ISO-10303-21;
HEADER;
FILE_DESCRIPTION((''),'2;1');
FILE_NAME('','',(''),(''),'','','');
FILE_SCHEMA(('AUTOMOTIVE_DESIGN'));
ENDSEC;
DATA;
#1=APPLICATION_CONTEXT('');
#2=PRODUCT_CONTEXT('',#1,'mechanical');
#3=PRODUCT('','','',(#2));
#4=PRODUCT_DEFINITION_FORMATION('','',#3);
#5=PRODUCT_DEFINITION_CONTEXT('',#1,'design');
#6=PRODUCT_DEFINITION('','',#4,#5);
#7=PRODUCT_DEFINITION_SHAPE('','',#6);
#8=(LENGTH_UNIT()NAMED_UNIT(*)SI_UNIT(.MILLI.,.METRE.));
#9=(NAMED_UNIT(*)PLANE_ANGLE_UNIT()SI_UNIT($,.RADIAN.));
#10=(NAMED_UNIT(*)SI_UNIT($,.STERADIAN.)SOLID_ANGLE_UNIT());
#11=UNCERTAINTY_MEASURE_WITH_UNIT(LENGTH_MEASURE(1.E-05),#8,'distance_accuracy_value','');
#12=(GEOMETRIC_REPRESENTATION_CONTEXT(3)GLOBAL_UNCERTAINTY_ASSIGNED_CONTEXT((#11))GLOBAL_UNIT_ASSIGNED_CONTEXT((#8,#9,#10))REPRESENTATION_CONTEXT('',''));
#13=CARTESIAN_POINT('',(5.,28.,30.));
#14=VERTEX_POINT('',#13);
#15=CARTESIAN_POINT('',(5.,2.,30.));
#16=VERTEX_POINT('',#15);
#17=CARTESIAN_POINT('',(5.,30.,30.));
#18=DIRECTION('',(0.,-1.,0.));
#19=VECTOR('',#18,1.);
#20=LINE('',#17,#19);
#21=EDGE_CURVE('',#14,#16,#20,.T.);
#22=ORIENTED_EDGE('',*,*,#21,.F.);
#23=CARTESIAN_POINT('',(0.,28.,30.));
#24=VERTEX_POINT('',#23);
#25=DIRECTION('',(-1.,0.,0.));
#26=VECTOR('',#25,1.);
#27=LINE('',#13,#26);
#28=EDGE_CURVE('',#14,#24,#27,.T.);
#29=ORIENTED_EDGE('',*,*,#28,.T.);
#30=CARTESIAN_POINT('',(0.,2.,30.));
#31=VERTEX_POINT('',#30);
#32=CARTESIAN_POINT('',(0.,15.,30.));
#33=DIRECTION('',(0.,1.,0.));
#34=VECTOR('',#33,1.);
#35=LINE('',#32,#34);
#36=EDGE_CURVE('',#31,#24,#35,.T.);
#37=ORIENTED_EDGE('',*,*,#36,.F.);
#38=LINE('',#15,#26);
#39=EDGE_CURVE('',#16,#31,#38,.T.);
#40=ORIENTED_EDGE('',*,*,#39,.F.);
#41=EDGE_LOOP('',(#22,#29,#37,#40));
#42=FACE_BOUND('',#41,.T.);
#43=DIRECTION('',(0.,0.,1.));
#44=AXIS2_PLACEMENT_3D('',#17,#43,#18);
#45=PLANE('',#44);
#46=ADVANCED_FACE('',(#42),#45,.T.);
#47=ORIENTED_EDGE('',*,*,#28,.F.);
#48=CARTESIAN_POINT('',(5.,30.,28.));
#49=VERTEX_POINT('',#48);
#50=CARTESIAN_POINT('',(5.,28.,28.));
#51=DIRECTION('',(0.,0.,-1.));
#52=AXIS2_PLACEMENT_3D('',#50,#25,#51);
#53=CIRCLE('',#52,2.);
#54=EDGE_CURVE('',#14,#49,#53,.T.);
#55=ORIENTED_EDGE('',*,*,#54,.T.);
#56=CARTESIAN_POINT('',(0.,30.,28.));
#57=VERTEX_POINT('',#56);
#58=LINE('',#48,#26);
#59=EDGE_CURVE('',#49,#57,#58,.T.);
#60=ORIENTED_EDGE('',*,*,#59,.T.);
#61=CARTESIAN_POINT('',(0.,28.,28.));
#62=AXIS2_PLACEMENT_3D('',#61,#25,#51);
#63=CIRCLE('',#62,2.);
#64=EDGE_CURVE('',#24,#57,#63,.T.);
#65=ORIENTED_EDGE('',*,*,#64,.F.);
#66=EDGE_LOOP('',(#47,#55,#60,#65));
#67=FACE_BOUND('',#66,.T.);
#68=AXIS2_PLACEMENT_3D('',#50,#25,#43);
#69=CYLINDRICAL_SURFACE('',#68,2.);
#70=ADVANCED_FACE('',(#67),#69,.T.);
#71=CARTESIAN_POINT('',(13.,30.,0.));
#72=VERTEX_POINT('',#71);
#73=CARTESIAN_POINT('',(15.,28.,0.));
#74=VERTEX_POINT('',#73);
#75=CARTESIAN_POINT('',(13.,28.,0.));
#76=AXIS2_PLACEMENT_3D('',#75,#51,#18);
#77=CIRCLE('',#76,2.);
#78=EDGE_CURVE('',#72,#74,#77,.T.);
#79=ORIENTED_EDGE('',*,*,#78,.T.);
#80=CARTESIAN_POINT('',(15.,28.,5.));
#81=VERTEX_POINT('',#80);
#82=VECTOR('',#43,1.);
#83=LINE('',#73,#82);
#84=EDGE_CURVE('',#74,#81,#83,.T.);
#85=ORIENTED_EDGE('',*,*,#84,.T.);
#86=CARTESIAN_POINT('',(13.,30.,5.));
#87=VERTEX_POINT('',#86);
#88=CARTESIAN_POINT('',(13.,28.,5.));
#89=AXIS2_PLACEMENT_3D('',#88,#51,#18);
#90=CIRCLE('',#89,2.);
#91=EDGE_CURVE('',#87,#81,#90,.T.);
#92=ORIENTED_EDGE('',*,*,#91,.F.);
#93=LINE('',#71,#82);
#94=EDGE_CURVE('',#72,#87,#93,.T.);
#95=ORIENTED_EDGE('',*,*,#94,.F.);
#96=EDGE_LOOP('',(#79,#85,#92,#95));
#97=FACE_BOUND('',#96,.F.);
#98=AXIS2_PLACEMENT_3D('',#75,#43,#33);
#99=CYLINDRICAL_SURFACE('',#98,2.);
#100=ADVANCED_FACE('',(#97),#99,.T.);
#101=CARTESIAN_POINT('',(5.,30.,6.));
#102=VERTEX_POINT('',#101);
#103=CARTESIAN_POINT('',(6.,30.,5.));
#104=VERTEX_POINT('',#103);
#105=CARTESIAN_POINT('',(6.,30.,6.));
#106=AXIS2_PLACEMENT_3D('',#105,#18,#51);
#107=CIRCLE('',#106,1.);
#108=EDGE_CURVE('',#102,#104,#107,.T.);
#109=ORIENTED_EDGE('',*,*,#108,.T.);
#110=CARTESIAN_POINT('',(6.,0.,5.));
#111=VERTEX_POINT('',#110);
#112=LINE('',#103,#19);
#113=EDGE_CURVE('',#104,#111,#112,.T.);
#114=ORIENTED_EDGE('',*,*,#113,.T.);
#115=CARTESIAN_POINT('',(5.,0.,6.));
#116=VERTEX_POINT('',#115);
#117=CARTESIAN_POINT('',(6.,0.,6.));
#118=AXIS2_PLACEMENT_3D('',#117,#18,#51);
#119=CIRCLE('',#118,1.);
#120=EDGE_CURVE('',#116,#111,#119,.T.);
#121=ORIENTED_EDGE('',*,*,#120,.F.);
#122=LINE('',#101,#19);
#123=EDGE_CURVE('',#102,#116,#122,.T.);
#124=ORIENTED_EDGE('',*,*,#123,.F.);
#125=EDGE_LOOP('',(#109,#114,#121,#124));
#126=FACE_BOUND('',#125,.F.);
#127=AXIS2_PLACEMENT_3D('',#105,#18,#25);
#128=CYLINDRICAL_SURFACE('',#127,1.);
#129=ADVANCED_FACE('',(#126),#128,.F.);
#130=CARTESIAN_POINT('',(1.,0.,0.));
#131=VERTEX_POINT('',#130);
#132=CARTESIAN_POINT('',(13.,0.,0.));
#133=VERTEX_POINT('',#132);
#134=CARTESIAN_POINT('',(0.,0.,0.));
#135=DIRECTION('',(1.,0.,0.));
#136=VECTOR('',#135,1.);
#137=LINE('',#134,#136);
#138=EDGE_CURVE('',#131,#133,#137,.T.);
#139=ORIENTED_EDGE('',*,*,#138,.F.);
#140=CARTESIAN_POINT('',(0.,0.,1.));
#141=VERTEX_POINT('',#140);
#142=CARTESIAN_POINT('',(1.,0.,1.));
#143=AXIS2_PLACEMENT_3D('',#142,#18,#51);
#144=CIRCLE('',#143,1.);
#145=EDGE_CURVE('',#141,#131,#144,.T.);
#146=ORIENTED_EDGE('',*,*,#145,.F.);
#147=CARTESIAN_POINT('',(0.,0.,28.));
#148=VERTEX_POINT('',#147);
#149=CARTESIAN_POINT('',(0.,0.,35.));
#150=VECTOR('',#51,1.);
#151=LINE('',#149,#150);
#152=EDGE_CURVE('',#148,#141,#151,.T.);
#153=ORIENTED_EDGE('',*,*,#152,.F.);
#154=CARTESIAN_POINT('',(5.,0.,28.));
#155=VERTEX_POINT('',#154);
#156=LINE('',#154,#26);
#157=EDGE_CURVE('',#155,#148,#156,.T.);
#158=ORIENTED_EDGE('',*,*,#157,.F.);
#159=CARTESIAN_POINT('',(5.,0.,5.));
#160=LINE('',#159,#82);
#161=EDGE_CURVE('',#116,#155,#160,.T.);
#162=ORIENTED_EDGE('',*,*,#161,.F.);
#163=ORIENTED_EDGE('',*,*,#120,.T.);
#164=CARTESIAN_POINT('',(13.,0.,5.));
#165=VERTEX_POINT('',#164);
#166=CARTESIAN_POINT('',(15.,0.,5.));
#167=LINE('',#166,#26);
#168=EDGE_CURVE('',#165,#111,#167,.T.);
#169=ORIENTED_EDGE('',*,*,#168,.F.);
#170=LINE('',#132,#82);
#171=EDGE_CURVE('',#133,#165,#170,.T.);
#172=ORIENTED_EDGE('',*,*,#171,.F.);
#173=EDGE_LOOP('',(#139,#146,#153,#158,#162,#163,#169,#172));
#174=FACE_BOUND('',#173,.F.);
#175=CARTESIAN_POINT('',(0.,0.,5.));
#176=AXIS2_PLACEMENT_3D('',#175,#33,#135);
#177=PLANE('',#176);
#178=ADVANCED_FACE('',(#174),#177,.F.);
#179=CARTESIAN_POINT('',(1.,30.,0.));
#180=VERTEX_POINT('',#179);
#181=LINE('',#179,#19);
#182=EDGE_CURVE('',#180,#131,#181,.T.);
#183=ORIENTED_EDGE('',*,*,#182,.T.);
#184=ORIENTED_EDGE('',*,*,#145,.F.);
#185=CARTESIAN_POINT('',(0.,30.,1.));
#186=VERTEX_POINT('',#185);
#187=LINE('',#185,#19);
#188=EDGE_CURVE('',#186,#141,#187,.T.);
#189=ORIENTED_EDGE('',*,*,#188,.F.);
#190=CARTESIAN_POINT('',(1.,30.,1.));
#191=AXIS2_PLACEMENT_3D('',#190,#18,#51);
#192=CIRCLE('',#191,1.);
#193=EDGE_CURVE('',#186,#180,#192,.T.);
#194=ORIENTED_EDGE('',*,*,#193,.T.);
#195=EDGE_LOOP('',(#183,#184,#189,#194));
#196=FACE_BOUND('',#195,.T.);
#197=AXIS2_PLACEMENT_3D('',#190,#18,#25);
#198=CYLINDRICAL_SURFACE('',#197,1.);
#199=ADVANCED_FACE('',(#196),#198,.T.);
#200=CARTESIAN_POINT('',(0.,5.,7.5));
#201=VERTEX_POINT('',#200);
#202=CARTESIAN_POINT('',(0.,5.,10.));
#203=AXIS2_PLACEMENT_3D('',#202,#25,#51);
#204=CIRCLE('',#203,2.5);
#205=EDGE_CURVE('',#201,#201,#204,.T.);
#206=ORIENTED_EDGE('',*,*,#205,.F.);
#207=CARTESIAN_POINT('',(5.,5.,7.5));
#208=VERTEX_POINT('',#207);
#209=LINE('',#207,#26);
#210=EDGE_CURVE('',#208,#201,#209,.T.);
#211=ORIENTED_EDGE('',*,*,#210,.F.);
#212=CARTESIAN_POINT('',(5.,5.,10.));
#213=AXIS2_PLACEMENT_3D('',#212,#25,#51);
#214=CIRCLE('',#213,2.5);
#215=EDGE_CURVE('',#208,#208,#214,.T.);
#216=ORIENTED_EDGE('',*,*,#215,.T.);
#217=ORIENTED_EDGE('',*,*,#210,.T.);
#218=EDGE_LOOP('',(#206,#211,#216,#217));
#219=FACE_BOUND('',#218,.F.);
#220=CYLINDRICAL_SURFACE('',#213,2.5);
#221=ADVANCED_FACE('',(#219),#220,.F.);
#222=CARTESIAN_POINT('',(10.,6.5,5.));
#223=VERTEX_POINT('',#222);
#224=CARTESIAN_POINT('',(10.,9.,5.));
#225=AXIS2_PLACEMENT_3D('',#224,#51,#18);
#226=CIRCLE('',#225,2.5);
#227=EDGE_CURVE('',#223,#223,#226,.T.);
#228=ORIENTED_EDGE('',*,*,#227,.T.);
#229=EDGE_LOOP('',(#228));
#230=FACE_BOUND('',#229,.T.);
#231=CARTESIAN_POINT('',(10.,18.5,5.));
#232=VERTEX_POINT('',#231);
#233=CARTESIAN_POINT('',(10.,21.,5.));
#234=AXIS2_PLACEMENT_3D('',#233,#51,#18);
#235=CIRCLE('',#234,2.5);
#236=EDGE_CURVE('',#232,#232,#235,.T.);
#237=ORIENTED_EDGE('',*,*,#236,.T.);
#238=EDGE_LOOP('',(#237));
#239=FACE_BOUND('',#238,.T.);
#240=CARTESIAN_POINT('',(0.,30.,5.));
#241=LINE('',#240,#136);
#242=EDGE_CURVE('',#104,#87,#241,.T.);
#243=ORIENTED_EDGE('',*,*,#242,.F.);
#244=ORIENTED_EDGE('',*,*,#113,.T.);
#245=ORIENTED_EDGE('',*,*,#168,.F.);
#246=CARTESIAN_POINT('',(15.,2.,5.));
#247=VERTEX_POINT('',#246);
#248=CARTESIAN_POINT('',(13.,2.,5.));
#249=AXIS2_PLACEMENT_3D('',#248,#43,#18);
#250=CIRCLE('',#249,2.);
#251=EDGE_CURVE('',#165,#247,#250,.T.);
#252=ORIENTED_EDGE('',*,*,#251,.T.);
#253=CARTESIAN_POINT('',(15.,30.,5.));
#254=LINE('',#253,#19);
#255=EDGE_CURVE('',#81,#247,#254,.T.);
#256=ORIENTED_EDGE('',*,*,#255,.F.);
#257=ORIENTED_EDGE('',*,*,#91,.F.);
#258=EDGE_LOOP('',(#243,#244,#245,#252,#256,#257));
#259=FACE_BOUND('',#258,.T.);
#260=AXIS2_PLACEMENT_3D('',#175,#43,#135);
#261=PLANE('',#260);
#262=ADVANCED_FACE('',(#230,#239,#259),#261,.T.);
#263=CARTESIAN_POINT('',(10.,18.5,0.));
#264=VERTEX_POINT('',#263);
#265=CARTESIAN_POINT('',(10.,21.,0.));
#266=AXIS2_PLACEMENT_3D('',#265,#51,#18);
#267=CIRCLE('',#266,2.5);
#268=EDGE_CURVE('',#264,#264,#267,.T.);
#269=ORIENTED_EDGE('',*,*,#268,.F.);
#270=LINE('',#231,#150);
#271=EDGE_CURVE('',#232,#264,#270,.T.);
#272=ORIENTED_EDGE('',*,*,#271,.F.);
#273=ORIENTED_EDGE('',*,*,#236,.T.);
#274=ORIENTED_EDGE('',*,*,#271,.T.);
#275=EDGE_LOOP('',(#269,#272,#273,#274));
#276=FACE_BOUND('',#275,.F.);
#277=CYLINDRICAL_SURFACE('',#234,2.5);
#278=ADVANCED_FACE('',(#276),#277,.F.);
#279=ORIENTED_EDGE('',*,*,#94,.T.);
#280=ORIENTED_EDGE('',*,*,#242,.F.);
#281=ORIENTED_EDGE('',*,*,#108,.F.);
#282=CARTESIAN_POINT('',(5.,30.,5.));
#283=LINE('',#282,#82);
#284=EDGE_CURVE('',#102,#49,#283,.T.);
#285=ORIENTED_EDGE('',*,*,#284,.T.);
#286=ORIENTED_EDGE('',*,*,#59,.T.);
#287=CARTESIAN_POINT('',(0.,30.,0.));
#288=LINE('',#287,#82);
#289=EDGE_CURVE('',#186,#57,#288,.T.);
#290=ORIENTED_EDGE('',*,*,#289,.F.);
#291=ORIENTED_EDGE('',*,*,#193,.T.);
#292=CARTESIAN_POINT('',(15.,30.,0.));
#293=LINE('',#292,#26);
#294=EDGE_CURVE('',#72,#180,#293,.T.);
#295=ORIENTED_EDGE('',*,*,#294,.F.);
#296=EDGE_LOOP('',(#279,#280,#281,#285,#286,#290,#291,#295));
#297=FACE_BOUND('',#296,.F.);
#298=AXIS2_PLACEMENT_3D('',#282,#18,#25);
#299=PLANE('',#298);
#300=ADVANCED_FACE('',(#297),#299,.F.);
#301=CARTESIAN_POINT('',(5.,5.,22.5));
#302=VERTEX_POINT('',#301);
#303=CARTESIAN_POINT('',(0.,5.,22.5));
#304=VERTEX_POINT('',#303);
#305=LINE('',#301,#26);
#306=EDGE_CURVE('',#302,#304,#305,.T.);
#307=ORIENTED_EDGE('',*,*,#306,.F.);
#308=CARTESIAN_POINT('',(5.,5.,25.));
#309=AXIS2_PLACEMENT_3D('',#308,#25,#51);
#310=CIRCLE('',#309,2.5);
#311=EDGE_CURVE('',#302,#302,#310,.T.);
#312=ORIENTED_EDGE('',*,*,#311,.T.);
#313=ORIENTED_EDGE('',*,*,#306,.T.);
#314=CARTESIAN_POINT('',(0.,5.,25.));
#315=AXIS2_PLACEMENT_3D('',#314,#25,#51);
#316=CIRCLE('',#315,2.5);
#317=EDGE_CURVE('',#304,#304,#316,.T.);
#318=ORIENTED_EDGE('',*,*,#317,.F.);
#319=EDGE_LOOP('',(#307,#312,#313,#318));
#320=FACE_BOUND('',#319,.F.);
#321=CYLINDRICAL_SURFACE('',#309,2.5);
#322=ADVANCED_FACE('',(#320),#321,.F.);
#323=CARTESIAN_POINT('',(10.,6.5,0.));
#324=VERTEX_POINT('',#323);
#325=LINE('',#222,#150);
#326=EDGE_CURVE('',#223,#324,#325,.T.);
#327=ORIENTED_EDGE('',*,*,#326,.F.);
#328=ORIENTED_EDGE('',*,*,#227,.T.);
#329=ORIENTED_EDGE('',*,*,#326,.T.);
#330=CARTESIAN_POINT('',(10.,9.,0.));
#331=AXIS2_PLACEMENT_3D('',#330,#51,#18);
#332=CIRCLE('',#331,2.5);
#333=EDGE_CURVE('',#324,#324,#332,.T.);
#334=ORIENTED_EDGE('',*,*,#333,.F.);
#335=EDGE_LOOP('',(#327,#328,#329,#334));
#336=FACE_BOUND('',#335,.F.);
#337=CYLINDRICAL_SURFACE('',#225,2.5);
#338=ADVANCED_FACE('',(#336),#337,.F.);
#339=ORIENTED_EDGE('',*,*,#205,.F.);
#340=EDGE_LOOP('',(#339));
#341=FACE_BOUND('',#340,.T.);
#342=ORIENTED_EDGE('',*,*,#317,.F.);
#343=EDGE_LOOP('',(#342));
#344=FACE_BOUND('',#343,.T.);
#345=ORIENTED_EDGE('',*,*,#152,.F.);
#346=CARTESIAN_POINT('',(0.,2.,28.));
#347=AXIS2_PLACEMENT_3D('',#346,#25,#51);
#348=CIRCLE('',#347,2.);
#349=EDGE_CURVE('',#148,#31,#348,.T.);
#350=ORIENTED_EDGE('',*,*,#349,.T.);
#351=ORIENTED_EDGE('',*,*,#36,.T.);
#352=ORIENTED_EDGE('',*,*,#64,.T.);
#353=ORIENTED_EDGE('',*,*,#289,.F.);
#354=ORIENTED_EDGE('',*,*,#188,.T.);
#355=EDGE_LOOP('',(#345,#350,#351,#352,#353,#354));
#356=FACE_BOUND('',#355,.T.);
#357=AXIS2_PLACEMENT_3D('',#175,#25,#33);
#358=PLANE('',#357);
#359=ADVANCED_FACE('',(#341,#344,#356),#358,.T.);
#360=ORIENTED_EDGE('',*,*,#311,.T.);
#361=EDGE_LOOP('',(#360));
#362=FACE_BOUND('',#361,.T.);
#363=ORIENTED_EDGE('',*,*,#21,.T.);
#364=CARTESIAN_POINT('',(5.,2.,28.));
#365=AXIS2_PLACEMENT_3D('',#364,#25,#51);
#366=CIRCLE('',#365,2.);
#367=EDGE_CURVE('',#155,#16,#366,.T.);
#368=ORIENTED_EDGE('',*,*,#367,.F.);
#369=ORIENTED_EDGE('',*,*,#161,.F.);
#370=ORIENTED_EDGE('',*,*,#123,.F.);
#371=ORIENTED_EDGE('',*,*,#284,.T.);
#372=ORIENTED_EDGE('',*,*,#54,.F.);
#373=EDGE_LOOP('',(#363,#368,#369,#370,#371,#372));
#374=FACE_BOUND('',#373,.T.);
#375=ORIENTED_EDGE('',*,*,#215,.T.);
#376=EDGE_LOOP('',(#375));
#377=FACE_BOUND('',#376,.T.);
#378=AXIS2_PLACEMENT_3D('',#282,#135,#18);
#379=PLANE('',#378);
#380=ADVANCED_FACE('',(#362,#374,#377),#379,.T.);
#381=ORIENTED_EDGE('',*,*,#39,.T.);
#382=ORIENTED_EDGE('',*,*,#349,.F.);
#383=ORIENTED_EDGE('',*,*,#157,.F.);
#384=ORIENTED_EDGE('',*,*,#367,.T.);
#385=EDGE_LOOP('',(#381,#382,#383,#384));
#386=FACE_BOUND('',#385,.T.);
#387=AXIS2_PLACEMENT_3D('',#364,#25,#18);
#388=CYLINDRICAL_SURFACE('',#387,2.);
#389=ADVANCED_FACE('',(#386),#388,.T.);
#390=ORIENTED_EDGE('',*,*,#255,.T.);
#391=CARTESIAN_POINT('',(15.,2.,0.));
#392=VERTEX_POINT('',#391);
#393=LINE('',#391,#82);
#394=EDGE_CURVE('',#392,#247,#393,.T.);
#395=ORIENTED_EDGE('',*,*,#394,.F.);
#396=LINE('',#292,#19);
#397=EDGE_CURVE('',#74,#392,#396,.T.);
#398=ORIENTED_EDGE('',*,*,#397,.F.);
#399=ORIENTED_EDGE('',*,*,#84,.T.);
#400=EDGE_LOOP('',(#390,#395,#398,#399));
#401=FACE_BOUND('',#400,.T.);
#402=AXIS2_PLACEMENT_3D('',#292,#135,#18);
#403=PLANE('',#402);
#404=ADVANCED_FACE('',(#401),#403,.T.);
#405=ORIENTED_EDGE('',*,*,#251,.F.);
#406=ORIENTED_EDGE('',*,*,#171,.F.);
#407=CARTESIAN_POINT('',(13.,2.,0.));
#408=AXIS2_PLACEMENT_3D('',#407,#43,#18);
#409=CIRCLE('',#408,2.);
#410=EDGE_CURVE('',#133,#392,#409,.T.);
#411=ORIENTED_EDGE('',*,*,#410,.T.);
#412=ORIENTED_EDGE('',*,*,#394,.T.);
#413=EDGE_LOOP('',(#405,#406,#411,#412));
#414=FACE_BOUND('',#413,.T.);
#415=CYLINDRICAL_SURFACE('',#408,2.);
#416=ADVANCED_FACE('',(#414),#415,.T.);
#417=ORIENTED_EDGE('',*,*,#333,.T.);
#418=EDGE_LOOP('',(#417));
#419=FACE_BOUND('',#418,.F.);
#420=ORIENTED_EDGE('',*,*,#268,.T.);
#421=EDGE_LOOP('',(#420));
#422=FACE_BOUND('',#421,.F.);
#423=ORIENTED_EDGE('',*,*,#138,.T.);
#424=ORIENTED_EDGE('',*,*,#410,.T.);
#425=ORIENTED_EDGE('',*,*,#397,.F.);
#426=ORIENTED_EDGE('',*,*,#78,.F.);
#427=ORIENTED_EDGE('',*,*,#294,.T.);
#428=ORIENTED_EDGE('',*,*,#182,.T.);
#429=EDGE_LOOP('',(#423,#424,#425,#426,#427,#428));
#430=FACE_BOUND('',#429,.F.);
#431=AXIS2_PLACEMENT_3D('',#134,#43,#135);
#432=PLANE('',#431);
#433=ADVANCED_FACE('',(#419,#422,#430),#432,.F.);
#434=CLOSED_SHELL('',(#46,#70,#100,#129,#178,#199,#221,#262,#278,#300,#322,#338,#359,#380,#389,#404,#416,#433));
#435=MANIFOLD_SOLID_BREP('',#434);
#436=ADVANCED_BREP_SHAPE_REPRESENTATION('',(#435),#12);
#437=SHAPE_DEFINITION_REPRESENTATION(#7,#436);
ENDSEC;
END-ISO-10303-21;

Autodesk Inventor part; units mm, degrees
ref_plane "YZ Plane" through (0, 0, 0) normal (1, 0, 0) x (0, 1, 0)
ref_plane "XZ Plane" through (0, 0, 0) normal (0, 1, 0) x (-1, 0, 0)
ref_plane "XY Plane" through (0, 0, 0) normal (0, 0, 1) x (1, 0, 0)
sketch "スケッチ1" plane through (0, 0, 0) normal (0, 0, 1) x (1, 0, 0)
  line L0 (0, 0) -> (5, 0)
  line L1 (5, 0) -> (5, 30)
  line L2 (5, 30) -> (0, 30)
  line L3 (0, 30) -> (0, 0)
  line L4 (5, 30) -> (15, 30)
  line L5 (15, 30) -> (15, 0)
  line L6 (15, 0) -> (5, 0)
  line L7 (5, 0) -> (5, 30)
  dimension "d0" = 30
  dimension "d1" = 5
  dimension "d2" = 30
  dimension "d3" = 10
extrude "押し出し1" add sketch "スケッチ1" along normal blind 5
sketch "スケッチ2" plane through (0, 0, 5) normal (0, 0, 1) x (1, 0, 0)
  line L0 (15, 0) -> (15, 30) projected
  line L1 (0, 0) -> (15, 0) projected
  line L2 (15, 30) -> (5, 30)
  line L3 (5, 30) -> (5, 0)
  line L4 (5, 0) -> (15, 0)
  line L5 (15, 0) -> (15, 30)
  point P0 (10, 21)
  point P1 (10, 9)
  dimension "d6" = 10
  dimension "d7" = 5
  dimension "d8" = 9
  dimension "d9" = 9
  dimension "d10" = 5
hole "穴1" at (10, 21, 5) at (10, 9, 5) direction (0, 0, -1) diameter 5 depth 8
sketch "スケッチ3" plane through (0, 0, 5) normal (0, 0, 1) x (1, 0, 0)
  line L0 (15, 30) -> (0, 30) projected
  line L1 (0, 0) -> (15, 0) projected
  line L2 (0, 30) -> (5, 30)
  line L3 (5, 30) -> (5, 0)
  line L4 (5, 0) -> (0, 0)
  line L5 (0, 0) -> (0, 30)
  dimension "d18" = 5
extrude "押し出し2" add sketch "スケッチ3" along normal blind 30
sketch "スケッチ4" plane through (5, 0, 5) normal (1, 0, 0) x (0, 0, -1)
  line L0 (-30, 0) -> (-30, 30) projected
  line L1 (0, 0) -> (-30, 0) projected
  line L2 (5, 0) -> (5, 30) projected
  point P0 (-20, 5)
  point P1 (-5, 5)
  dimension "d21" = 15
  dimension "d22" = 10
  dimension "d23" = 5
  dimension "d24" = 5
  dimension "d25" = 10
hole "穴2" at (5, 5, 25) at (5, 5, 10) direction (-1, 0, 0) diameter 5 depth 8
sketch "スケッチ5" plane through (5, 0, 5) normal (1, 0, 0) x (0, 0, -1)
  line L0 (5, 30) -> (-30, 30) projected
  line L1 (-30, 30) -> (-25, 30)
  line L2 (-25, 30) -> (-25, 0)
  line L3 (-25, 0) -> (-30, 0)
  line L4 (-30, 0) -> (-30, 30)
  line L5 (0, 0) -> (0, 30) projected
  circle A0 centre (-5, 5) radius 2.5 projected
  circle A1 centre (-20, 5) radius 2.5 projected
  point P0 (5, 0)
  dimension "d33" = 5
  dimension "d34" = 5
extrude "押し出し3" cut sketch "スケッチ5" against normal through all contours L2 L3 L4 L0
fillet "フィレット1" radius 2 4 edges at (2.5, 30, 30) (2.5, 0, 30) (15, 30, 2.5) (15, 0, 2.5)
fillet "フィレット2" radius 1 2 edges at (0, 15, 0) (5, 15, 5)
equation "\"d9\" = d8"
equation "\"d10\" = d7"
equation "\"d24\" = d23"
equation "\"d34\" = d33"
properties part number "BP_BOX-Support-Bar-Connect1"
